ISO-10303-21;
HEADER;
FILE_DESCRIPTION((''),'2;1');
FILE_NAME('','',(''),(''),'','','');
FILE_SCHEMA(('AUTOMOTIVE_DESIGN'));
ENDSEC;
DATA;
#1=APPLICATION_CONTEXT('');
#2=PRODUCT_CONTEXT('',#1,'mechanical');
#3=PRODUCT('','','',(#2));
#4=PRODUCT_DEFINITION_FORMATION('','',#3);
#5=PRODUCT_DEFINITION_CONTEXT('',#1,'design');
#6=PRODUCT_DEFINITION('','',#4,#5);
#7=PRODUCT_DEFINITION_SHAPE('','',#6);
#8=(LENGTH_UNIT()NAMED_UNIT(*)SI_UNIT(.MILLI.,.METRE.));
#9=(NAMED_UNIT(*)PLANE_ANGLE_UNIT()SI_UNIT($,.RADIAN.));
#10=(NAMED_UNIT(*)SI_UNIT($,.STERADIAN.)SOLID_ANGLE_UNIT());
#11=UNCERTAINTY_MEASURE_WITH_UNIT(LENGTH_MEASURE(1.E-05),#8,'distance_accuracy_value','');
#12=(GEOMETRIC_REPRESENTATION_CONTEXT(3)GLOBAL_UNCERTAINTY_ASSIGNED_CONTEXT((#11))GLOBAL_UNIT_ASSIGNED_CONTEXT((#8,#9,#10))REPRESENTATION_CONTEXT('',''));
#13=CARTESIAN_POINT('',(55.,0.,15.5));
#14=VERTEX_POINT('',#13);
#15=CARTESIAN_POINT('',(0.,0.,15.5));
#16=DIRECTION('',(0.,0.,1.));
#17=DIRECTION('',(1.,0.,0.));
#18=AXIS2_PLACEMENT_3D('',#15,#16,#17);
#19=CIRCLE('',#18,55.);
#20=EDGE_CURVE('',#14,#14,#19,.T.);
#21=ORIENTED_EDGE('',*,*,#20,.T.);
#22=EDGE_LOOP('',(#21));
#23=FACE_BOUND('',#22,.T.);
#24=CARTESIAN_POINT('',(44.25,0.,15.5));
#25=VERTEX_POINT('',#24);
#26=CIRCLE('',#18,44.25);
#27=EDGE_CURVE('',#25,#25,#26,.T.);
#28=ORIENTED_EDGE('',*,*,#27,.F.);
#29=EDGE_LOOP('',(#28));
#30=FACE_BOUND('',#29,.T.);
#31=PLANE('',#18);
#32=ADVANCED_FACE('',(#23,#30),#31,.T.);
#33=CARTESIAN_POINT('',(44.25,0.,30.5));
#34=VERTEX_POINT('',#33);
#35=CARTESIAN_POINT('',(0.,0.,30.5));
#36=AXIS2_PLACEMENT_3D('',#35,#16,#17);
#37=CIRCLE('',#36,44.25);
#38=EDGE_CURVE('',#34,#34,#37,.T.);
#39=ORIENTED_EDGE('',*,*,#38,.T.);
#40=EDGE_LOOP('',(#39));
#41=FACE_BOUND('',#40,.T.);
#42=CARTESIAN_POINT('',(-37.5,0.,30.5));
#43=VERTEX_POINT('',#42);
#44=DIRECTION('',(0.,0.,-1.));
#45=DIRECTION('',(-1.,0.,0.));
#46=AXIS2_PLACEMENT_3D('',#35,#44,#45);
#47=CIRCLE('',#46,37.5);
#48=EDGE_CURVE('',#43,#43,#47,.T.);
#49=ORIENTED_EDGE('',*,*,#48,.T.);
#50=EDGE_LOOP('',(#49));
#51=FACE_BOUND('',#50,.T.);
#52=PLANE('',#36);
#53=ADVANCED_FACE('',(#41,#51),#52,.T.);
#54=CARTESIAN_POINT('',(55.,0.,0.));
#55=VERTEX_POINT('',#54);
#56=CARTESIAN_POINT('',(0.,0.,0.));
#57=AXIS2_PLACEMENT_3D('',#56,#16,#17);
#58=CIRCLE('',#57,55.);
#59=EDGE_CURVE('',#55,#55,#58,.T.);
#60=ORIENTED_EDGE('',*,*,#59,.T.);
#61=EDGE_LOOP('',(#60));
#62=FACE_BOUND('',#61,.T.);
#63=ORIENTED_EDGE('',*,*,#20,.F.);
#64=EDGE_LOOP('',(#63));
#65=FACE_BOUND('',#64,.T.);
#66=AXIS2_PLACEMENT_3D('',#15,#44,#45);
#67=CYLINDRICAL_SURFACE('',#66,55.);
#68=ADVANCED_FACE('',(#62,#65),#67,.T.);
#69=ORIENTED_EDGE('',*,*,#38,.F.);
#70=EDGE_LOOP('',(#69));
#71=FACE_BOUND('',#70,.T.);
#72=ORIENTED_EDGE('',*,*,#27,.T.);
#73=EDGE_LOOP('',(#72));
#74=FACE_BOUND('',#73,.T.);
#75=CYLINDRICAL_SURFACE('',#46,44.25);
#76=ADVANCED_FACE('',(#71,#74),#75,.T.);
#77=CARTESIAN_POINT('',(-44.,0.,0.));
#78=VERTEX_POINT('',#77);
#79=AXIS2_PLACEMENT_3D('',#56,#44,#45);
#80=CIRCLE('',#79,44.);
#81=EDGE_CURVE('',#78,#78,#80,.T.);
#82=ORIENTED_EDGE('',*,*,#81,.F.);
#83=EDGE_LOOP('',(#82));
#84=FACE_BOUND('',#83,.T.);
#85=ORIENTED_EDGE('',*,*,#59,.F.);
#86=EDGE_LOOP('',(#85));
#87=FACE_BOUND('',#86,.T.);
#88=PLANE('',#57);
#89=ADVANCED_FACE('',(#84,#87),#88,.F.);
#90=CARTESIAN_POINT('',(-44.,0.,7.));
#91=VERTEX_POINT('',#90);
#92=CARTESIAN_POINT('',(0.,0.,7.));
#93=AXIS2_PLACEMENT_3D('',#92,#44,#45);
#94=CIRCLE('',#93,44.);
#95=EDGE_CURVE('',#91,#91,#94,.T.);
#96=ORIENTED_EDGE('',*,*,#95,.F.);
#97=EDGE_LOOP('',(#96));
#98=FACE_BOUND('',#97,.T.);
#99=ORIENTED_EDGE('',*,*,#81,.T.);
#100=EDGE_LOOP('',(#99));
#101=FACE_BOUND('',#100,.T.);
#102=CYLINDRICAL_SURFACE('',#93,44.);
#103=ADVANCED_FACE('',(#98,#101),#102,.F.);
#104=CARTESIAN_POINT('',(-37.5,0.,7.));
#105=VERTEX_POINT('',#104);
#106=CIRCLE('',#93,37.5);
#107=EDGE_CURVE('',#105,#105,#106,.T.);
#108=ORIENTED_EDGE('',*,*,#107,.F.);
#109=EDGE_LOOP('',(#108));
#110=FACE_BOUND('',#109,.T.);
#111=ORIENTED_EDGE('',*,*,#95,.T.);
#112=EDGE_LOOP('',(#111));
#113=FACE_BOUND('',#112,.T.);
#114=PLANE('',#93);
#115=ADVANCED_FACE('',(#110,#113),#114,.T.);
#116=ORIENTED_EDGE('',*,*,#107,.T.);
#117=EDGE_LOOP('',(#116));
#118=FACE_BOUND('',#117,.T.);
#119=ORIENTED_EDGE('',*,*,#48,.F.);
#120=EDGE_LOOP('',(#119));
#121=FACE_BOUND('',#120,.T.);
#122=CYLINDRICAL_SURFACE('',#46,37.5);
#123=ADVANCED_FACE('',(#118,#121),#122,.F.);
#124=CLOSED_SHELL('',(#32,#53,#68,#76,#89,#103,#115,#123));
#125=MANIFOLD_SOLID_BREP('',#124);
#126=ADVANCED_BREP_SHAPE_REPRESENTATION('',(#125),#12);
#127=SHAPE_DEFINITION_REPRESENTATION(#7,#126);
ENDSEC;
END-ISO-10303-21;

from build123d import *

# Parameters (mm, degrees)
SKETCH1_R               = 55
BOSS_EXTRUDE1_DEPTH     = 15.5
SKETCH2_R               = 44.25
BOSS_EXTRUDE2_DEPTH     = 15
SKETCH3_R               = 44
CUT_EXTRUDE1_DEPTH      = 7
CUT_EXTRUDE2_DEPTH      = 82.254230659
CUT_EXTRUDE2_DEPTH_BACK = 82.254230659
SKETCH4_R               = 37.5


with BuildPart() as part:
    # Sketch1 → Boss-Extrude1 (new body)
    with BuildSketch(Plane.XY):
        Circle(SKETCH1_R)
    extrude(amount=BOSS_EXTRUDE1_DEPTH)

    # Sketch2 → Boss-Extrude2 (add)
    with BuildSketch(Plane.XY.offset(15.5)):
        Circle(SKETCH2_R)
    extrude(amount=BOSS_EXTRUDE2_DEPTH)

    # Sketch3 → Cut-Extrude1 (cut)
    with BuildSketch(Plane(origin=(0, 0, 0), x_dir=(-1, 0, 0), z_dir=(0, 0, -1))):
        Circle(SKETCH3_R)
    extrude(amount=-CUT_EXTRUDE1_DEPTH, mode=Mode.SUBTRACT)

    # Sketch4 → Cut-Extrude2 (cut, two sides: drawn at the far end of the back side and taken through both)
    with BuildSketch(Plane(origin=(0, 0, 7), x_dir=(-1, 0, 0), z_dir=(0, 0, -1)).offset(-CUT_EXTRUDE2_DEPTH_BACK)):
        Circle(SKETCH4_R)
    extrude(amount=CUT_EXTRUDE2_DEPTH + CUT_EXTRUDE2_DEPTH_BACK, mode=Mode.SUBTRACT)


solid = part.part
